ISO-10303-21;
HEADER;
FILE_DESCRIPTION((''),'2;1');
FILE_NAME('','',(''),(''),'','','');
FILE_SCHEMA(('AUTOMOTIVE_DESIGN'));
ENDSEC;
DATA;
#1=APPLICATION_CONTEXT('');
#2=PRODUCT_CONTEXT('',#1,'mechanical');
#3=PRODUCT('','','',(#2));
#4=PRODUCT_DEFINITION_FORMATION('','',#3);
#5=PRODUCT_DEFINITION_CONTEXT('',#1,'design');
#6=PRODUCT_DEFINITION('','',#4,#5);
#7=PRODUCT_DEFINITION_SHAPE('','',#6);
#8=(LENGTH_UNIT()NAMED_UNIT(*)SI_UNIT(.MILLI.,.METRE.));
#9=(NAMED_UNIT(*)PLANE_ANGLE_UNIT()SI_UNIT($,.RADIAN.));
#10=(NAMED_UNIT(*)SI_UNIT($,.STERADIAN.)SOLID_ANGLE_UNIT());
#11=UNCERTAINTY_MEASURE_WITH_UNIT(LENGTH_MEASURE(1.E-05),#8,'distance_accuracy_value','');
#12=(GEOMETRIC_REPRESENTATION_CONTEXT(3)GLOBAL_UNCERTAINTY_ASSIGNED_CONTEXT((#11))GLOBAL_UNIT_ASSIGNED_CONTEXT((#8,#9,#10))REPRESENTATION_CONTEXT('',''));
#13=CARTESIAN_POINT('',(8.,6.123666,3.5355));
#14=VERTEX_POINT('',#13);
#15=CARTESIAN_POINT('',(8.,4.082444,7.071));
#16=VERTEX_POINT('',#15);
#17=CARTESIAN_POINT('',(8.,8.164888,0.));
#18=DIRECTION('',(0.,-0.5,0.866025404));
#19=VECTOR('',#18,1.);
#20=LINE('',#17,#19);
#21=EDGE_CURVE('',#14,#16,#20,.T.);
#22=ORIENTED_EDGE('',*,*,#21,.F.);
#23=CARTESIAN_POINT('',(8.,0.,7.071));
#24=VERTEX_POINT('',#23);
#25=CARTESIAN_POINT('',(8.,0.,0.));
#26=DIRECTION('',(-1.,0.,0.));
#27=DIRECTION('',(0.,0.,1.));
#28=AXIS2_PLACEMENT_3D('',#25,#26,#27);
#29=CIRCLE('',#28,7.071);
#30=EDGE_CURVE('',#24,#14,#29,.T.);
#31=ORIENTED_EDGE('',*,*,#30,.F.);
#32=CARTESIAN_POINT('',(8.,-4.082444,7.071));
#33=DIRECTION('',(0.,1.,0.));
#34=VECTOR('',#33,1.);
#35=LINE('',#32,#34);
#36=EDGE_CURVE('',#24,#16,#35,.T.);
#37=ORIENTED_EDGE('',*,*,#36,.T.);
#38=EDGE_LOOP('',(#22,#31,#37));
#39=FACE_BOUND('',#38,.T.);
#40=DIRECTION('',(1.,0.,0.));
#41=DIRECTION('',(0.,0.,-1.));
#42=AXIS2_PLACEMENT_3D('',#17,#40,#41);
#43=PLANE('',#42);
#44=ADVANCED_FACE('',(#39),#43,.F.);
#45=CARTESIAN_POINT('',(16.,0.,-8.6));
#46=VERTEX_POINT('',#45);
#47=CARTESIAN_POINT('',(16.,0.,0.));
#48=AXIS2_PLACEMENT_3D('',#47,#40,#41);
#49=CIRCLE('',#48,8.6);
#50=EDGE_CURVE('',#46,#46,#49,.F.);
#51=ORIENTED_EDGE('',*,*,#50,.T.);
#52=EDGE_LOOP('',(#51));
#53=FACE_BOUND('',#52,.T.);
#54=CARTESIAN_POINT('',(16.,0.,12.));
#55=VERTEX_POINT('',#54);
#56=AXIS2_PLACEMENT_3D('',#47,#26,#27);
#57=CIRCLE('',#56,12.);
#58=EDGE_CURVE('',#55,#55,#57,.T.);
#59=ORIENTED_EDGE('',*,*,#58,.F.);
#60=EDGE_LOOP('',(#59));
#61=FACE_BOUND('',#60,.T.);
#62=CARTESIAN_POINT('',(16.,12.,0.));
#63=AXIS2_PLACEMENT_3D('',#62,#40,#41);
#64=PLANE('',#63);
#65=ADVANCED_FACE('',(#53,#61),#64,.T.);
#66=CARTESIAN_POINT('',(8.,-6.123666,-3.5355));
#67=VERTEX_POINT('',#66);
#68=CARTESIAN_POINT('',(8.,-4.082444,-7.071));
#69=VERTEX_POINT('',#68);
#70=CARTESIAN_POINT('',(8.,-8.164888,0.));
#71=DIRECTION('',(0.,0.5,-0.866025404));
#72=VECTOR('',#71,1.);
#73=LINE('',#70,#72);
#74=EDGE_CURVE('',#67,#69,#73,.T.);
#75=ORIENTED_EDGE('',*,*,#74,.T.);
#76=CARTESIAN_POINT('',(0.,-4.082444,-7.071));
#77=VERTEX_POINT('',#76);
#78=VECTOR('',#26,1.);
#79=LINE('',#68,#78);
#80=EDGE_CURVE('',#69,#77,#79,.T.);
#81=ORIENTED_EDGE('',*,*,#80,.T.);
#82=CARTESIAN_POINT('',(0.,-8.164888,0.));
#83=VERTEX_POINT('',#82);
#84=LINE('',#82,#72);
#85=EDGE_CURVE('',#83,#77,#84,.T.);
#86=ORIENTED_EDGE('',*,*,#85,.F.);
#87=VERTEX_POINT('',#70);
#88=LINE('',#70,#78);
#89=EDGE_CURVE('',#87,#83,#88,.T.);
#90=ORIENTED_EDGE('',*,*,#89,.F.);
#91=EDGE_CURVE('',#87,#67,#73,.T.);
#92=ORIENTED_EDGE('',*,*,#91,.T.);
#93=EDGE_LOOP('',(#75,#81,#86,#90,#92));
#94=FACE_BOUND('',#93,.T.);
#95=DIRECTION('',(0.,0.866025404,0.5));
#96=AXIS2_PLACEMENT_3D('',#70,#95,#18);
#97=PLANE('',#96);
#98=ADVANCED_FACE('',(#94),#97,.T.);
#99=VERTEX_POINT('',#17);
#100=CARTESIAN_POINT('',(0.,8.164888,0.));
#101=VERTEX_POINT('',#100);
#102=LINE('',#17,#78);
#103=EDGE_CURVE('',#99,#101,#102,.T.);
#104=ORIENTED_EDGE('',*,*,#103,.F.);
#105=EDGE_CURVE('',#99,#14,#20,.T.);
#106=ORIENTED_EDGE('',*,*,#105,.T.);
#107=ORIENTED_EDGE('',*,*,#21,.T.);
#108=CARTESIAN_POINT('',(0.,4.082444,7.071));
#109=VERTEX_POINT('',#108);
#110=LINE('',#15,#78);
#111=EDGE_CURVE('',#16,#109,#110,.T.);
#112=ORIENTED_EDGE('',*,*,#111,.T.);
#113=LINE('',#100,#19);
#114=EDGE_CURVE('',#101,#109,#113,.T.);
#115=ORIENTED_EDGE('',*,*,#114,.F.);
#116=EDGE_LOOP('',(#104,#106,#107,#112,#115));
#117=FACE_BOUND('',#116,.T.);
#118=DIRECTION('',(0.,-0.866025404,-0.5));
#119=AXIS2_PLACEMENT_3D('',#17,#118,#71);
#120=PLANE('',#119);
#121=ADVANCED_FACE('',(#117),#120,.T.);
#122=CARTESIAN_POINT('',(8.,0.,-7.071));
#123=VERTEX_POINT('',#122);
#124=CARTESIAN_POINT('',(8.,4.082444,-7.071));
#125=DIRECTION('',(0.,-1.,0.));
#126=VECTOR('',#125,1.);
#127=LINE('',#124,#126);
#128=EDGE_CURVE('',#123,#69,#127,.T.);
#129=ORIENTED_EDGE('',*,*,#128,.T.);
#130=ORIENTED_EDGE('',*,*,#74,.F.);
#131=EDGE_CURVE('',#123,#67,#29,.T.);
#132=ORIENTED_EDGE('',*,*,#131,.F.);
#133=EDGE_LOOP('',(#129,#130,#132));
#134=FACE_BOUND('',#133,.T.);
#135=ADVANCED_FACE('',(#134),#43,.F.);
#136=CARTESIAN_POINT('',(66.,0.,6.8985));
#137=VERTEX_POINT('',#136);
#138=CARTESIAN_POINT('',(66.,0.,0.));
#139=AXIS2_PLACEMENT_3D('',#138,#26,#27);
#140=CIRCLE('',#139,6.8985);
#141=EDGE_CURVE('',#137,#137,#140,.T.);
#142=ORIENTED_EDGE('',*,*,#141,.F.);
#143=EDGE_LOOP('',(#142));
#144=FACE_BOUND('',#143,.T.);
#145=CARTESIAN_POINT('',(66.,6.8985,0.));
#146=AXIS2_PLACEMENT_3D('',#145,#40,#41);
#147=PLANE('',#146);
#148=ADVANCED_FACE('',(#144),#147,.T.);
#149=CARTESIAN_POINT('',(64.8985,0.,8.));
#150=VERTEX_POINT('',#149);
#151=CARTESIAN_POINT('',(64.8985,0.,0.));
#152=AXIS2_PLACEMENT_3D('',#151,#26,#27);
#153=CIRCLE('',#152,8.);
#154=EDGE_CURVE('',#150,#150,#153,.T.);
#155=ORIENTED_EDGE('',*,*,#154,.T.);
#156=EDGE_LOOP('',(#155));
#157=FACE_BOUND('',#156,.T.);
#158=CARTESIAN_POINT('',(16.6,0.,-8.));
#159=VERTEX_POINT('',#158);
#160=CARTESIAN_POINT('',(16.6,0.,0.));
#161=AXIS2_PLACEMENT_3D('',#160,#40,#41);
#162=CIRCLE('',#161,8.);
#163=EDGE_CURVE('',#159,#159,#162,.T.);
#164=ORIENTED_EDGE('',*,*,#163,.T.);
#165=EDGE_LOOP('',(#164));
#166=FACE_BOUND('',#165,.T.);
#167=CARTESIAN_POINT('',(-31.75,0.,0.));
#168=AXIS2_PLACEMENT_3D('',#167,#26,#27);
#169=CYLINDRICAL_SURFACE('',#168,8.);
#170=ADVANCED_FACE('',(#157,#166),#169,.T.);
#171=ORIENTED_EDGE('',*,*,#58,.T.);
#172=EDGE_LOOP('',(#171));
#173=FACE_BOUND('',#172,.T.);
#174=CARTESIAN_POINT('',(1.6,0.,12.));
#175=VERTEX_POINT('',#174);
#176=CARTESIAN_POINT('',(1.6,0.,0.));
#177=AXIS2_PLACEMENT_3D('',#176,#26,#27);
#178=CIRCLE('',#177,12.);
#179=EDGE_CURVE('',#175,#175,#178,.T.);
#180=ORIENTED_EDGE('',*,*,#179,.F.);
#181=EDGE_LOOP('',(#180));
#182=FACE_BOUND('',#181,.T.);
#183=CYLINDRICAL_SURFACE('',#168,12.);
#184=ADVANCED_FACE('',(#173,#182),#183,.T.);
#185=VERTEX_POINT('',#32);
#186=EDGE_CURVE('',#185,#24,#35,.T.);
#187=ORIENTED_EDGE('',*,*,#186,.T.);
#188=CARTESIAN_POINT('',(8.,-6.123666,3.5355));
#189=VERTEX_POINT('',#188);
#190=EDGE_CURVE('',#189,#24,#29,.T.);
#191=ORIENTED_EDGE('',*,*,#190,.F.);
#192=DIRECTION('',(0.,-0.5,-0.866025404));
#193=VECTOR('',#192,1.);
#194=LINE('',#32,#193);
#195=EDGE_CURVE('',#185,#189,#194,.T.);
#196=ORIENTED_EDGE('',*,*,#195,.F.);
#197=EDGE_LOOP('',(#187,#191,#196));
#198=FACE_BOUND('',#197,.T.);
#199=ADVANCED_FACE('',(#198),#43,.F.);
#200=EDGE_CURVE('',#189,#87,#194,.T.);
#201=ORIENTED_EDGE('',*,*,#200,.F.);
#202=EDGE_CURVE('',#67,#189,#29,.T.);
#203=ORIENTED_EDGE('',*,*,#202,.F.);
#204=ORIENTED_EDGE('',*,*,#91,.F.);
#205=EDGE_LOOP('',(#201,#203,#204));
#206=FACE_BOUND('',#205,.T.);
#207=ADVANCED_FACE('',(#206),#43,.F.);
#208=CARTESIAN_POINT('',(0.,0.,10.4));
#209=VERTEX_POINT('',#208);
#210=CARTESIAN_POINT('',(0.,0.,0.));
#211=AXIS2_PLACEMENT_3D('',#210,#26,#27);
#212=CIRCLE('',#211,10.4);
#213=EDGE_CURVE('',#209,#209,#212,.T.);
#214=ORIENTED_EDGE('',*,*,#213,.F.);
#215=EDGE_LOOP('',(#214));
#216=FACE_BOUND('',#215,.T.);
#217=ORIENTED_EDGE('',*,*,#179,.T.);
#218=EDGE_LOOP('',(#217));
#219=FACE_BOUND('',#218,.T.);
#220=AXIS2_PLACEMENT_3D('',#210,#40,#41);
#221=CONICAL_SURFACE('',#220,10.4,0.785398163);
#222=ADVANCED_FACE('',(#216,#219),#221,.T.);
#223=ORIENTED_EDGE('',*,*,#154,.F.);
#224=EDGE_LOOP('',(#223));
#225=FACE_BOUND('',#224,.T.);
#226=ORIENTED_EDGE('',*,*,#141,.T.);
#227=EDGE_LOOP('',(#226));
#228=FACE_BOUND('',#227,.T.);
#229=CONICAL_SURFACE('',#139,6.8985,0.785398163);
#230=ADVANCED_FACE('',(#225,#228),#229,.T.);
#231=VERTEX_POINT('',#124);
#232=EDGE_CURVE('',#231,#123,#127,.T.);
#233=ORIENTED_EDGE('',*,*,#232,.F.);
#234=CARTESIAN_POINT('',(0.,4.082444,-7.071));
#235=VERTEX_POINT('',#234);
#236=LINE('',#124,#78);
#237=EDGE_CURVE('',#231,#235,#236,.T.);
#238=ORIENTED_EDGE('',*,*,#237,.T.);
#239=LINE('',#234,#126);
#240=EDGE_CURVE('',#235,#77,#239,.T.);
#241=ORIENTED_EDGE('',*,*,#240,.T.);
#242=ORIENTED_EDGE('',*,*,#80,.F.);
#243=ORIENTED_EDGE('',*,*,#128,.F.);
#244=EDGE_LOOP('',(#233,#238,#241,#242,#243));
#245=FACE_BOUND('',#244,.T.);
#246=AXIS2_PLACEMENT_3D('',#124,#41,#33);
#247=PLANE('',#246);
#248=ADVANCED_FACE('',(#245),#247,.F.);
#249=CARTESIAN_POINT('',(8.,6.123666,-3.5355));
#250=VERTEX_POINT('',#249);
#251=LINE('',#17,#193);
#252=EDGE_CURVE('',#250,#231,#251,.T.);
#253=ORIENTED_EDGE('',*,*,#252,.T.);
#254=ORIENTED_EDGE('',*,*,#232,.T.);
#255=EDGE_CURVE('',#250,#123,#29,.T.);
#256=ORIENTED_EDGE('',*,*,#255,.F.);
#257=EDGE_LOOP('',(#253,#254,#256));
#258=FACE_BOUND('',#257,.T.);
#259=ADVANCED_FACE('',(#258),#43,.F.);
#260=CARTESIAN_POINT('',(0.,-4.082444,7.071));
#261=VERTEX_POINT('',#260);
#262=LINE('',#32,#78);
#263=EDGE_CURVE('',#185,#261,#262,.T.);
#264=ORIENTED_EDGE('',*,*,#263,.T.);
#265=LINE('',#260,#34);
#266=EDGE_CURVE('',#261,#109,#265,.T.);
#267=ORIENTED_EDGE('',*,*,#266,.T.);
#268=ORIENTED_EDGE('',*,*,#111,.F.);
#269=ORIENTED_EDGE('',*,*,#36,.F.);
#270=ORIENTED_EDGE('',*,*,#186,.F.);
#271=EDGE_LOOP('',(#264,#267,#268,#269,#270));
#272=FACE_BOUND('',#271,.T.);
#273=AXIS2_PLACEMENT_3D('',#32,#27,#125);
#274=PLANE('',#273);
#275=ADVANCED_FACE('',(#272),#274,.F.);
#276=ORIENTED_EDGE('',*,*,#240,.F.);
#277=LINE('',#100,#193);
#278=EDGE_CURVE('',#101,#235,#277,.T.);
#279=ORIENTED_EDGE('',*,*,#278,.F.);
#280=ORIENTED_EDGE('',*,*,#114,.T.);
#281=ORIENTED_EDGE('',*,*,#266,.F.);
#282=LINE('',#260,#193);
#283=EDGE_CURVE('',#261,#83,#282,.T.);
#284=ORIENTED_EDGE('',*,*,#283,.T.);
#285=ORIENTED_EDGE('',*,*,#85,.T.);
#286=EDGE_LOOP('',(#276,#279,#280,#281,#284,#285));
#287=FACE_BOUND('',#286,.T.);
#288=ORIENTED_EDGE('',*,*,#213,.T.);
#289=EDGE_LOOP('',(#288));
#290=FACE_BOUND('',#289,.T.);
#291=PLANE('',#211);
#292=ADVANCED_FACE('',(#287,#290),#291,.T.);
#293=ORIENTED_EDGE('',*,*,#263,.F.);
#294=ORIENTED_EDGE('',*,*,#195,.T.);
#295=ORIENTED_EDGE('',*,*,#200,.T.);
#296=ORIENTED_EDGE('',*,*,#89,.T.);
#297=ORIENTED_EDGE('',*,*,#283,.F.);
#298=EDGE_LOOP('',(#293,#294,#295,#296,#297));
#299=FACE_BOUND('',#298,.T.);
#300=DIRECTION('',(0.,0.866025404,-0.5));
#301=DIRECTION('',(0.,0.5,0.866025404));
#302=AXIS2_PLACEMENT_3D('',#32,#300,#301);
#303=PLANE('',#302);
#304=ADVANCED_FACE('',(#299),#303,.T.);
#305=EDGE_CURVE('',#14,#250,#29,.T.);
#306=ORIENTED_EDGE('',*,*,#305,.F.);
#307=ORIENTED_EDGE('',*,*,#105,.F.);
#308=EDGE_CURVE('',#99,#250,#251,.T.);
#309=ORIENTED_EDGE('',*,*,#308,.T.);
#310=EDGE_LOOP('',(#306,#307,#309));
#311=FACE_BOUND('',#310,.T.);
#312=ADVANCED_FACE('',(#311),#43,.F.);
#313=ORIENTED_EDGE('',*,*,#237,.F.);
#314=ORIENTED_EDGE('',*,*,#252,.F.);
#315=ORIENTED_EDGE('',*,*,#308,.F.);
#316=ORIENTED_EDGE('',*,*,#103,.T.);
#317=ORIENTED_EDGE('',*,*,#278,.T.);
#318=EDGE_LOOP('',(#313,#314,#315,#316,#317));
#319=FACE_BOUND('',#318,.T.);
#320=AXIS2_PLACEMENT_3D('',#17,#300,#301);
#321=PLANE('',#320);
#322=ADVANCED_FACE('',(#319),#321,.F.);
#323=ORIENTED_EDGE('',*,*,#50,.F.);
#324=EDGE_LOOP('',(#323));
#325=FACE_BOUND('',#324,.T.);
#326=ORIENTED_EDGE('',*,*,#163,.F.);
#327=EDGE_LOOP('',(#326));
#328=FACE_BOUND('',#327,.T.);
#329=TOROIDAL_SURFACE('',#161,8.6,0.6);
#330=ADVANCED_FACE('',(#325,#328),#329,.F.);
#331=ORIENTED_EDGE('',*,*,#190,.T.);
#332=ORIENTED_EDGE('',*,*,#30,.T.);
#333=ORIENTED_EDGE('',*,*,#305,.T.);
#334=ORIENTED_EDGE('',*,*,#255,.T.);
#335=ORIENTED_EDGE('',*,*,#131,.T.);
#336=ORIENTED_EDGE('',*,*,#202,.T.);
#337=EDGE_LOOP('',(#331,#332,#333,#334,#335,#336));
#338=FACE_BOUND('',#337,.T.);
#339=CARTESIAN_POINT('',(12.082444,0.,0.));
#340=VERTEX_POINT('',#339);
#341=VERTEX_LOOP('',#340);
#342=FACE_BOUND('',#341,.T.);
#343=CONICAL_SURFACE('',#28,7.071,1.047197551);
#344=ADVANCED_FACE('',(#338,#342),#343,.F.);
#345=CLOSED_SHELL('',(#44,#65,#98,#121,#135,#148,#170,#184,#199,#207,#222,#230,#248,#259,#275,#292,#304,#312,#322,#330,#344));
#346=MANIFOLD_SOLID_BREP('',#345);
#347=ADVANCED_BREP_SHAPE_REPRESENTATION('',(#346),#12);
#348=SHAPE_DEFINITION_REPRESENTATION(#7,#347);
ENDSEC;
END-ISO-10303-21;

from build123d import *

# Parameters (mm, degrees)
FILLET1_R   = 0.6
HEX_2_DEPTH = 8


with BuildPart() as part:
    # BodySke → Base-Revolve (revolve)
    with BuildSketch(Plane.XY, mode=Mode.PRIVATE) as base_revolve_sk:
        Polygon((0, 0), (0, 10.4), (1.6, 12), (16, 12), (16, 8), (64.8985, 8), (66, 6.8985), (66, 0), align=None)
    revolve(base_revolve_sk.sketch.rotate(Axis((-31.75, 0, 0), (1, 0, 0)), 90), axis=Axis((-31.75, 0, 0), (1, 0, 0)))

    # Fillet1
    fillet1_edges = [part.edges().sort_by_distance(p)[0] for p in [
        (16, 0, -8),
    ]]
    fillet(fillet1_edges, radius=FILLET1_R)

    # Sketch2 → Hex-PreBroach (revolve, cut)
    with BuildSketch(Plane.XY, mode=Mode.PRIVATE) as hex_prebroach_sk:
        Polygon((0, 7.071), (8, 7.071), (12.082443753, 0), (0, 0), align=None)
    revolve(hex_prebroach_sk.sketch.rotate(Axis((0, 0, 0), (1, 0, 0)), 90), axis=Axis((0, 0, 0), (1, 0, 0)), mode=Mode.SUBTRACT)

    # Sketch3 → Hex 2 (cut)
    with BuildSketch(Plane(origin=(0, 0, 0), x_dir=(0, 0.500000000000001, 0.866025403784438), z_dir=(-1, 0, 0))):
        Polygon((4.082443753, 7.071), (-4.082443753, 7.071), (-8.164887507, 0), (-4.082443753, -7.071), (4.082443753, -7.071), (8.164887507, 0), align=None)
    extrude(amount=-HEX_2_DEPTH, mode=Mode.SUBTRACT)


solid = part.part
